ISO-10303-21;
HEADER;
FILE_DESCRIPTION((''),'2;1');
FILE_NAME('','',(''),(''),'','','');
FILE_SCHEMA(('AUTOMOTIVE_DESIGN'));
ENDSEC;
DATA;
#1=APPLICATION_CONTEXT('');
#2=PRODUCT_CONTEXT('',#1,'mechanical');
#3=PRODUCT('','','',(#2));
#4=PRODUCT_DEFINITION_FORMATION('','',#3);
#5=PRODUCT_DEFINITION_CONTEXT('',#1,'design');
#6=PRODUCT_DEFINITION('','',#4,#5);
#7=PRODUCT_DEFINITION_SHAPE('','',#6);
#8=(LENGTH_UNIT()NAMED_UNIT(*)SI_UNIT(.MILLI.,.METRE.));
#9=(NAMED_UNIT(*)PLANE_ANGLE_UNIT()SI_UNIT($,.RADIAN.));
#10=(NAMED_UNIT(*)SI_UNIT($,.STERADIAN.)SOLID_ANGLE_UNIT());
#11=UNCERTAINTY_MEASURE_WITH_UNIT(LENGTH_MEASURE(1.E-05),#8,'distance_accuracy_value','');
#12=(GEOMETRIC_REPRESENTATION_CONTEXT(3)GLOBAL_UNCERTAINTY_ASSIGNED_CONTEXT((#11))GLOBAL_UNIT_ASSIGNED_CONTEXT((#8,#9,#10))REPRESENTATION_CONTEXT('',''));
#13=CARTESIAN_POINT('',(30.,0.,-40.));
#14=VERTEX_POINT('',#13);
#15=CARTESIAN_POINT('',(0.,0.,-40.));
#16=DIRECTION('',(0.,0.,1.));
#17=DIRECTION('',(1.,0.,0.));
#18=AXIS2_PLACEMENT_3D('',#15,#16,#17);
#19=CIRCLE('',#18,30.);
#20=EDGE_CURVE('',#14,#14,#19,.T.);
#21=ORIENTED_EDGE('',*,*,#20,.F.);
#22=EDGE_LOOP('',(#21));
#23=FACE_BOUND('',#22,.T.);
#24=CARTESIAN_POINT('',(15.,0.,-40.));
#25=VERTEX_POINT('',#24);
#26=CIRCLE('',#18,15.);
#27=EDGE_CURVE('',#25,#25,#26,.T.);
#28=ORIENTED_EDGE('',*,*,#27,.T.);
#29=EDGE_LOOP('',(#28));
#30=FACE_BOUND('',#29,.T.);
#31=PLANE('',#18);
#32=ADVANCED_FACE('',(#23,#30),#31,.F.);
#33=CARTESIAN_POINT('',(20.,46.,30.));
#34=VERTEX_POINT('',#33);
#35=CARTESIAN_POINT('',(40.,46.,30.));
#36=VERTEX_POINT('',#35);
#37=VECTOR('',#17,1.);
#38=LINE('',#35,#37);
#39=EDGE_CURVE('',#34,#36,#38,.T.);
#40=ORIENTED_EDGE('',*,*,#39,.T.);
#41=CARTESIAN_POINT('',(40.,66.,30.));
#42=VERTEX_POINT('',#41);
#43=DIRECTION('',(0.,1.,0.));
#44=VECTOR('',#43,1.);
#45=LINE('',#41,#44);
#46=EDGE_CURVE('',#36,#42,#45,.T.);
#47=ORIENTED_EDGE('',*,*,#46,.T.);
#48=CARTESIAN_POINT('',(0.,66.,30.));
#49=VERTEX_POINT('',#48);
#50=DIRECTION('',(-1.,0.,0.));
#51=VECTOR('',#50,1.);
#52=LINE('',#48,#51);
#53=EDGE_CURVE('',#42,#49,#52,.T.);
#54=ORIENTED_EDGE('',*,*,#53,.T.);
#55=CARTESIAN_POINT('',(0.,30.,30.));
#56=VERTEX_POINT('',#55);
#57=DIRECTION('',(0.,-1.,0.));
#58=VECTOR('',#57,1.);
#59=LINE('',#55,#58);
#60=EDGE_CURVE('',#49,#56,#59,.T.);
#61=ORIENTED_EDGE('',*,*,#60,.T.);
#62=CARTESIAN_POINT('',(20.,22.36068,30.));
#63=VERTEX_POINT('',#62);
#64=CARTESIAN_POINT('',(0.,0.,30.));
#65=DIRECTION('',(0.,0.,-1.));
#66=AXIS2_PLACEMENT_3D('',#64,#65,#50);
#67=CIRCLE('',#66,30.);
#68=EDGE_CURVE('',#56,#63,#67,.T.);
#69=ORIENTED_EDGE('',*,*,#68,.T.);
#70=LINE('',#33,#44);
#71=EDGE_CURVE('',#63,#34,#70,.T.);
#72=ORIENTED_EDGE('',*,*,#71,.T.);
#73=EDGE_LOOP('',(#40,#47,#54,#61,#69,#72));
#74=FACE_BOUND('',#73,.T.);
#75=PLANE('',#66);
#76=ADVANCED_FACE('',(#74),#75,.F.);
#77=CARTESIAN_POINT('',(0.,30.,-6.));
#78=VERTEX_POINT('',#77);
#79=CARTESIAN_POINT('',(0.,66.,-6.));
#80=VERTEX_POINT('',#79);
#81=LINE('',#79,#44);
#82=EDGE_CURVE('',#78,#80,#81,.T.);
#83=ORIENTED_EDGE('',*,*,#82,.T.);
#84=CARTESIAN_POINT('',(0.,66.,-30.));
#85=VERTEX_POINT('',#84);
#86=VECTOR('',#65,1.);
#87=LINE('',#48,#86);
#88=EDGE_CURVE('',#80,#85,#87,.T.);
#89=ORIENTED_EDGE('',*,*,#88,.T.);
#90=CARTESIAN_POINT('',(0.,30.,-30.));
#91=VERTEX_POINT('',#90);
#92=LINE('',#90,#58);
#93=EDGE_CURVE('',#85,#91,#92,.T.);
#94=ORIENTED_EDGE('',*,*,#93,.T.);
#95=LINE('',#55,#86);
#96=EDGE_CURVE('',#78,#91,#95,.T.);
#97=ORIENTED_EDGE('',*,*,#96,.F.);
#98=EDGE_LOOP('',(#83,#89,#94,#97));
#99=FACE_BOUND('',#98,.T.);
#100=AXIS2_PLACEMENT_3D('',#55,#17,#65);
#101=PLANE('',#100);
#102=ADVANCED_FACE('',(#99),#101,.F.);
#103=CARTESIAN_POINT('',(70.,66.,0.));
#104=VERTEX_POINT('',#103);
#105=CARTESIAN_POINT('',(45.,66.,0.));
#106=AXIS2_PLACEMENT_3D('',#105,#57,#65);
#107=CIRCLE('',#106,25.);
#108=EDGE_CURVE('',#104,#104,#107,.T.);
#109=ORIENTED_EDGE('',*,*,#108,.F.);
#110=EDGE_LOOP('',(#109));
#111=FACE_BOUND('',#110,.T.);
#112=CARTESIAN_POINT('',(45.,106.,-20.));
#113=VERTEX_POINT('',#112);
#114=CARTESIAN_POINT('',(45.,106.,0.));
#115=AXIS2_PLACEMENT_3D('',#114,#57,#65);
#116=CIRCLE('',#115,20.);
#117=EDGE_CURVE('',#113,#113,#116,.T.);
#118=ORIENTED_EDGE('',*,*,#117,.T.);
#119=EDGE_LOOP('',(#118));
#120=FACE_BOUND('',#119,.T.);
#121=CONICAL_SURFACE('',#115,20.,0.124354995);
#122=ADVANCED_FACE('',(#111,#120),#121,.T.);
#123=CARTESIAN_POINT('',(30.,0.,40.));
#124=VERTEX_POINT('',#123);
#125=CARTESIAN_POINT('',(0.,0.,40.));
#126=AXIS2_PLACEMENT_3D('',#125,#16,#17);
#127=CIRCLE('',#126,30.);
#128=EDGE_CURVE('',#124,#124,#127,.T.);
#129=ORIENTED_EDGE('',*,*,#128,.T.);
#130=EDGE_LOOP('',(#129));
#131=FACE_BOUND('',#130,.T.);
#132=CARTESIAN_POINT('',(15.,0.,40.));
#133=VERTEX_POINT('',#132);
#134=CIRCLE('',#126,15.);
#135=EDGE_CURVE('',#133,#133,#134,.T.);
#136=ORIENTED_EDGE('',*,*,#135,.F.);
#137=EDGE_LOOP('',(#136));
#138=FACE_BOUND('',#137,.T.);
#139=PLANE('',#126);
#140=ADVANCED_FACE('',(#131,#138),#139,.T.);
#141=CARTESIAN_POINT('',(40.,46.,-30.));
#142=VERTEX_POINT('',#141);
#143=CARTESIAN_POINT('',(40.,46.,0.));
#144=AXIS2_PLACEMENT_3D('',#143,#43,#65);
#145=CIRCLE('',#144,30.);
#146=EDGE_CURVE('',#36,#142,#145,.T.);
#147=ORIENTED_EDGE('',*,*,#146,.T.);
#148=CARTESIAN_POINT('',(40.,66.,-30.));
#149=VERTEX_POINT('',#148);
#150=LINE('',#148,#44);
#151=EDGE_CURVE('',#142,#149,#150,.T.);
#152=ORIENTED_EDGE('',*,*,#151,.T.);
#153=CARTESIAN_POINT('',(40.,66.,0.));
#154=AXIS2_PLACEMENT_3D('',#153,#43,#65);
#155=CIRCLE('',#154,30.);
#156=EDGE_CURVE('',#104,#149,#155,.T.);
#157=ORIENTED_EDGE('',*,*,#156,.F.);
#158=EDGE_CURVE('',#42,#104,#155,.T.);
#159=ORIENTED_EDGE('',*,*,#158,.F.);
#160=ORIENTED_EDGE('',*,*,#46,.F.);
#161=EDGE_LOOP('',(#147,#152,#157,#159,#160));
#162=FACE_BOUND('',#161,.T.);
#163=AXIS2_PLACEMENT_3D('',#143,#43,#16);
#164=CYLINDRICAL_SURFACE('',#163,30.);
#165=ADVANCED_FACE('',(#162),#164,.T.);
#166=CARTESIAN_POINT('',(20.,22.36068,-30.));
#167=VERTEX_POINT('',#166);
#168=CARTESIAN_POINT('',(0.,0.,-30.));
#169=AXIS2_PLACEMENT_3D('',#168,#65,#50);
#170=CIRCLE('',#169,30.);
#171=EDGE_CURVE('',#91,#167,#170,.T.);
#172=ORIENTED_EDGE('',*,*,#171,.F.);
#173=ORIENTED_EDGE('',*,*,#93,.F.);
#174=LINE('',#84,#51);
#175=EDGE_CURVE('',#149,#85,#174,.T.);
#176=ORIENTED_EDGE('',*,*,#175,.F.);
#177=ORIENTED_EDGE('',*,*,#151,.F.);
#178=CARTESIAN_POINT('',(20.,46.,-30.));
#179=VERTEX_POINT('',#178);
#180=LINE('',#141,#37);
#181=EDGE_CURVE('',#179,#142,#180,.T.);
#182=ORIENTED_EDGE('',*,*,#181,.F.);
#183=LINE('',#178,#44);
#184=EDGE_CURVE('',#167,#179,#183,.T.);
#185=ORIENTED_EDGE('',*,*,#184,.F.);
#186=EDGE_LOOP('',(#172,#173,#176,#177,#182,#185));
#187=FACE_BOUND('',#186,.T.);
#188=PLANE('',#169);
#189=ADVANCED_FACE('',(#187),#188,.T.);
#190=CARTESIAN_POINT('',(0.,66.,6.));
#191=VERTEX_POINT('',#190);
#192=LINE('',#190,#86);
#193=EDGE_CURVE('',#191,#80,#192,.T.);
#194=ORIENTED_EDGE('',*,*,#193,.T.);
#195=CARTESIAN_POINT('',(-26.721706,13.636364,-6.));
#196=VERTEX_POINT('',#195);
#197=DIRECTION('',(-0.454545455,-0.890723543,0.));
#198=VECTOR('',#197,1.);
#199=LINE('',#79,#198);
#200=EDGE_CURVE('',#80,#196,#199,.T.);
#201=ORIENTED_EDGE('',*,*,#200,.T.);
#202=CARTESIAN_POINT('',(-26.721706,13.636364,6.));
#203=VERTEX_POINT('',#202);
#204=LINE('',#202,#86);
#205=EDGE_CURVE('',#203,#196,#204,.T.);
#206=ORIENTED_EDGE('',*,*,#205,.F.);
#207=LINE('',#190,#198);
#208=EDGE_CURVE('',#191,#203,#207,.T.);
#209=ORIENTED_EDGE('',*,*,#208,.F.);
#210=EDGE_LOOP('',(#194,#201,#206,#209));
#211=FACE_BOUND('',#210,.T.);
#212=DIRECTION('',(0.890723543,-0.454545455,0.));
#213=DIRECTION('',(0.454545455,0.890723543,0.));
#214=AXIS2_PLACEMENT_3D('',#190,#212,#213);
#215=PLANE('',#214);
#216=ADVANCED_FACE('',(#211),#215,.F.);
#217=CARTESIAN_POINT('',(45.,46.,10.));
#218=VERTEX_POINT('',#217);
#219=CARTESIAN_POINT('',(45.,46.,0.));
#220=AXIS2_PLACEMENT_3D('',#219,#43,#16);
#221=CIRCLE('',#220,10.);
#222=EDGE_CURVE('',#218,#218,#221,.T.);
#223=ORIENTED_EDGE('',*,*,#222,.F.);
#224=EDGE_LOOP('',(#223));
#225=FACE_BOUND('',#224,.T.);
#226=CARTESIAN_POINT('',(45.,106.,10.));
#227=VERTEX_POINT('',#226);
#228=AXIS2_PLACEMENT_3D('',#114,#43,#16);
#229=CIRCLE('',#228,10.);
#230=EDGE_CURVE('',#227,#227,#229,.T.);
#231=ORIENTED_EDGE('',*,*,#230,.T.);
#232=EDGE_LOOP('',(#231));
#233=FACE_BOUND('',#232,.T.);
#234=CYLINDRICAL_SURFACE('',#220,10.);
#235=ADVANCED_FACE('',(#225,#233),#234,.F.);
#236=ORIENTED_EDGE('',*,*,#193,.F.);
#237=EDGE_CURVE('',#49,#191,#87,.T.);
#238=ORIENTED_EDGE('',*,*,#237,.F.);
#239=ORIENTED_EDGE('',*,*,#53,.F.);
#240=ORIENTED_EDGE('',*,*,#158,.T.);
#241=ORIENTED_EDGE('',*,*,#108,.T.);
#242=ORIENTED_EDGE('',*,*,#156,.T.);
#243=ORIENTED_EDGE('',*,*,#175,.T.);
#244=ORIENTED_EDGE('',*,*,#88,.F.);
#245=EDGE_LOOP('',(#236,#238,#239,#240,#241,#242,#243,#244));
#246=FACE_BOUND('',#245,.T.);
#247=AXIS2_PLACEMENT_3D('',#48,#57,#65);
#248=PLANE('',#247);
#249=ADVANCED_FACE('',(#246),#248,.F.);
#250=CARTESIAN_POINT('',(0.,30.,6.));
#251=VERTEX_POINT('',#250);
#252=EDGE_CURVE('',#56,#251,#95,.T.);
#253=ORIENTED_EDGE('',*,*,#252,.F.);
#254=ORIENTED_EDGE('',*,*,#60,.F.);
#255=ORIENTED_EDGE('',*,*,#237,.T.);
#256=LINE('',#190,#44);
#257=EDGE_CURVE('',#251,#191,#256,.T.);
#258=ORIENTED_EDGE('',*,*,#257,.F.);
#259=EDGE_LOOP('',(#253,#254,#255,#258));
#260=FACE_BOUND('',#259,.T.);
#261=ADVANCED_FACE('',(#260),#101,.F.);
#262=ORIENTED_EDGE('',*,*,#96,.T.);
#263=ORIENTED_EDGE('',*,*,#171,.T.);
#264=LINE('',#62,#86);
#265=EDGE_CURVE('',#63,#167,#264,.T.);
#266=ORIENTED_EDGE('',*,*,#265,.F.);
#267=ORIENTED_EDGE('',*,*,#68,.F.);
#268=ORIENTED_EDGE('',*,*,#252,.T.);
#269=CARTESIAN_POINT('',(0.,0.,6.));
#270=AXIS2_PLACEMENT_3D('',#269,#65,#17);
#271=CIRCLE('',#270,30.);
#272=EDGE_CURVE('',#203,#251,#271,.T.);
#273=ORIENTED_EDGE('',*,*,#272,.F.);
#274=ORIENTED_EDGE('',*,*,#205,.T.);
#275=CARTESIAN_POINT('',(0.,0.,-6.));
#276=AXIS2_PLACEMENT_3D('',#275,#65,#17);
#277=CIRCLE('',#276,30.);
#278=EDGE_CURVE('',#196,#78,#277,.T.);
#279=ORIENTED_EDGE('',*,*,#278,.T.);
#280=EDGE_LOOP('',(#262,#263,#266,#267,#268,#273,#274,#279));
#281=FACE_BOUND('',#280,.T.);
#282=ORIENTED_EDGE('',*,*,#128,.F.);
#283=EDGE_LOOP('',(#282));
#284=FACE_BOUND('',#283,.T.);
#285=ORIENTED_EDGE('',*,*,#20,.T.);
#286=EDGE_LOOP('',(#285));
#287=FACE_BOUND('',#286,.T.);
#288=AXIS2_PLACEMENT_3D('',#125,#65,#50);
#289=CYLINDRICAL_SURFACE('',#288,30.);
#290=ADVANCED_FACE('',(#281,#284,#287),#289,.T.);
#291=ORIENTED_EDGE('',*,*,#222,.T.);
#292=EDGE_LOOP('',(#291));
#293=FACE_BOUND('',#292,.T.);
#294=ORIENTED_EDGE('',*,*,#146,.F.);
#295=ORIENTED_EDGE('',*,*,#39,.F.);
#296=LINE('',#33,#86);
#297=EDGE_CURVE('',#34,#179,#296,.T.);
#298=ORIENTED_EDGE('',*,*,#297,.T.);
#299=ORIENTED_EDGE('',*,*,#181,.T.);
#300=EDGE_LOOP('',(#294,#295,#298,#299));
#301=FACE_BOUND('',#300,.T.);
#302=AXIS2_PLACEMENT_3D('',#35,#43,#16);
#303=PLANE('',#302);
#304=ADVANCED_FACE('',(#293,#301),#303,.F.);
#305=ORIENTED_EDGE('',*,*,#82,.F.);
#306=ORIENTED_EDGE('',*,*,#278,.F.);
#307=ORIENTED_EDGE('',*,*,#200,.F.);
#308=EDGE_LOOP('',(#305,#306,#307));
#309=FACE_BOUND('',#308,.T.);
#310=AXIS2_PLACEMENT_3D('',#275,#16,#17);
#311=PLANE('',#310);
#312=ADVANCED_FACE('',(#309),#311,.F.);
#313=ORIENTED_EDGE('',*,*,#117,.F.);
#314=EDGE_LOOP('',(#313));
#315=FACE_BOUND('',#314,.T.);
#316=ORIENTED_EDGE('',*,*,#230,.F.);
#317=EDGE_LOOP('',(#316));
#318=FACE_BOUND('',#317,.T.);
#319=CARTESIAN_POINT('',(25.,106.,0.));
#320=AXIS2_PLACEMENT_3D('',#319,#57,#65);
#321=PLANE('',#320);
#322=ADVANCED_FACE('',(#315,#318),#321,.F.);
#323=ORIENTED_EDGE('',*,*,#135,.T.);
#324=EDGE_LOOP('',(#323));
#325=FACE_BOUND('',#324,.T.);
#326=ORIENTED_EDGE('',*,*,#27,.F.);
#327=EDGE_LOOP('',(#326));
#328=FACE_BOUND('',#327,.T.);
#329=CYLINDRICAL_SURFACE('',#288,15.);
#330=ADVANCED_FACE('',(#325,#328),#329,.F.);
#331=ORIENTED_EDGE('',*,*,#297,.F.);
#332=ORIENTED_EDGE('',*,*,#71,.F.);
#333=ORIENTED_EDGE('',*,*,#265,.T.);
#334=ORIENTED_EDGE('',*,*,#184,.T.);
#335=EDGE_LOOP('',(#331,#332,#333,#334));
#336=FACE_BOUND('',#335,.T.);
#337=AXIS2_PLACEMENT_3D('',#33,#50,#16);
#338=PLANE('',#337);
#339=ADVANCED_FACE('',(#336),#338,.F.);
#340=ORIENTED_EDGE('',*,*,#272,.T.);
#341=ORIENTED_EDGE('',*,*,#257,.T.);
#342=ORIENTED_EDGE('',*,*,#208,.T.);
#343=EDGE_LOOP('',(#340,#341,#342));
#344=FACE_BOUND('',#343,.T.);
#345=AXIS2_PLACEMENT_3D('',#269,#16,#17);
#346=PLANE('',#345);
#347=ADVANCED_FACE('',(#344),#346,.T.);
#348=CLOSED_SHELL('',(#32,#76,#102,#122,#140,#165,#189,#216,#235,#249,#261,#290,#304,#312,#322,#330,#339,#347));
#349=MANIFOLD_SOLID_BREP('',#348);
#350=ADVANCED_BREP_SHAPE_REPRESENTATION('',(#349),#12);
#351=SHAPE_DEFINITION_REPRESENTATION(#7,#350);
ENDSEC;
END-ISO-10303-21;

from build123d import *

# Parameters (mm, degrees)
SKETCH1_R           = 30
SKETCH1_R_2         = 15
BOSS_EXTRUDE3_DEPTH = 40
BOSS_EXTRUDE4_DEPTH = 30
BOSS_EXTRUDE5_DEPTH = 20
BOSS_EXTRUDE6_DEPTH = 6
SKETCH11_R          = 10
CUT_EXTRUDE1_DEPTH  = 60


with BuildPart() as part:
    # Sketch1 → Boss-Extrude3 (new body, symmetric)
    with BuildSketch(Plane.XY):
        Circle(SKETCH1_R)
        Circle(SKETCH1_R_2, mode=Mode.SUBTRACT)
    extrude(amount=BOSS_EXTRUDE3_DEPTH, both=True)

    # Sketch4 → Boss-Extrude4 (add, symmetric)
    with BuildSketch(Plane.XY):
        with BuildLine():
            Line((0, 30), (0, 66))
            Line((0, 66), (40, 66))
            Line((40, 66), (40, 46))
            Line((40, 46), (20, 46))
            Line((20, 46), (20, 22.360679775))
            ThreePointArc((20, 22.360679775), (10.704662693, 28.025170769), (0, 30))
        make_face()
    extrude(amount=BOSS_EXTRUDE4_DEPTH, both=True)

    # Sketch5 → Boss-Extrude5 (add)
    with BuildSketch(Plane(origin=(0, 66, 0), x_dir=(1, 0, 0), z_dir=(0, 1, 0))):
        with BuildLine():
            Line((40, 30), (40, -30))
            ThreePointArc((40, -30), (70, 0), (40, 30))
        make_face()
    extrude(amount=-BOSS_EXTRUDE5_DEPTH)

    # Sketch9 → Boss-Extrude6 (add, symmetric)
    with BuildSketch(Plane.XY):
        with BuildLine():
            Line((0, 66), (-26.721706285, 13.636363636))
            ThreePointArc((-26.721706285, 13.636363636), (-15.666989036, 25.584085963), (0, 30))
            Line((0, 30), (0, 66))
        make_face()
    extrude(amount=BOSS_EXTRUDE6_DEPTH, both=True)

    # Sketch10 → Revolve1 (revolve)
    with BuildSketch(Plane.XY, mode=Mode.PRIVATE) as revolve1_sk:
        Polygon((20, 66), (45, 66), (45, 106), (25, 106), align=None)
    revolve(revolve1_sk.sketch.rotate(Axis((45, 66, 0), (0, 1, 0)), 270), axis=Axis((45, 66, 0), (0, 1, 0)))  # turned: the seam where the file's is

    # Sketch11 → Cut-Extrude1 (cut)
    with BuildSketch(Plane(origin=(0, 106, 0), x_dir=(1, 0, 0), z_dir=(0, 1, 0))):
        with Locations(Location((45, 0, 0), (0, 0, 270))):  # turned: the seam where the file's is
            Circle(SKETCH11_R)
    extrude(amount=-CUT_EXTRUDE1_DEPTH, mode=Mode.SUBTRACT)


solid = part.part
